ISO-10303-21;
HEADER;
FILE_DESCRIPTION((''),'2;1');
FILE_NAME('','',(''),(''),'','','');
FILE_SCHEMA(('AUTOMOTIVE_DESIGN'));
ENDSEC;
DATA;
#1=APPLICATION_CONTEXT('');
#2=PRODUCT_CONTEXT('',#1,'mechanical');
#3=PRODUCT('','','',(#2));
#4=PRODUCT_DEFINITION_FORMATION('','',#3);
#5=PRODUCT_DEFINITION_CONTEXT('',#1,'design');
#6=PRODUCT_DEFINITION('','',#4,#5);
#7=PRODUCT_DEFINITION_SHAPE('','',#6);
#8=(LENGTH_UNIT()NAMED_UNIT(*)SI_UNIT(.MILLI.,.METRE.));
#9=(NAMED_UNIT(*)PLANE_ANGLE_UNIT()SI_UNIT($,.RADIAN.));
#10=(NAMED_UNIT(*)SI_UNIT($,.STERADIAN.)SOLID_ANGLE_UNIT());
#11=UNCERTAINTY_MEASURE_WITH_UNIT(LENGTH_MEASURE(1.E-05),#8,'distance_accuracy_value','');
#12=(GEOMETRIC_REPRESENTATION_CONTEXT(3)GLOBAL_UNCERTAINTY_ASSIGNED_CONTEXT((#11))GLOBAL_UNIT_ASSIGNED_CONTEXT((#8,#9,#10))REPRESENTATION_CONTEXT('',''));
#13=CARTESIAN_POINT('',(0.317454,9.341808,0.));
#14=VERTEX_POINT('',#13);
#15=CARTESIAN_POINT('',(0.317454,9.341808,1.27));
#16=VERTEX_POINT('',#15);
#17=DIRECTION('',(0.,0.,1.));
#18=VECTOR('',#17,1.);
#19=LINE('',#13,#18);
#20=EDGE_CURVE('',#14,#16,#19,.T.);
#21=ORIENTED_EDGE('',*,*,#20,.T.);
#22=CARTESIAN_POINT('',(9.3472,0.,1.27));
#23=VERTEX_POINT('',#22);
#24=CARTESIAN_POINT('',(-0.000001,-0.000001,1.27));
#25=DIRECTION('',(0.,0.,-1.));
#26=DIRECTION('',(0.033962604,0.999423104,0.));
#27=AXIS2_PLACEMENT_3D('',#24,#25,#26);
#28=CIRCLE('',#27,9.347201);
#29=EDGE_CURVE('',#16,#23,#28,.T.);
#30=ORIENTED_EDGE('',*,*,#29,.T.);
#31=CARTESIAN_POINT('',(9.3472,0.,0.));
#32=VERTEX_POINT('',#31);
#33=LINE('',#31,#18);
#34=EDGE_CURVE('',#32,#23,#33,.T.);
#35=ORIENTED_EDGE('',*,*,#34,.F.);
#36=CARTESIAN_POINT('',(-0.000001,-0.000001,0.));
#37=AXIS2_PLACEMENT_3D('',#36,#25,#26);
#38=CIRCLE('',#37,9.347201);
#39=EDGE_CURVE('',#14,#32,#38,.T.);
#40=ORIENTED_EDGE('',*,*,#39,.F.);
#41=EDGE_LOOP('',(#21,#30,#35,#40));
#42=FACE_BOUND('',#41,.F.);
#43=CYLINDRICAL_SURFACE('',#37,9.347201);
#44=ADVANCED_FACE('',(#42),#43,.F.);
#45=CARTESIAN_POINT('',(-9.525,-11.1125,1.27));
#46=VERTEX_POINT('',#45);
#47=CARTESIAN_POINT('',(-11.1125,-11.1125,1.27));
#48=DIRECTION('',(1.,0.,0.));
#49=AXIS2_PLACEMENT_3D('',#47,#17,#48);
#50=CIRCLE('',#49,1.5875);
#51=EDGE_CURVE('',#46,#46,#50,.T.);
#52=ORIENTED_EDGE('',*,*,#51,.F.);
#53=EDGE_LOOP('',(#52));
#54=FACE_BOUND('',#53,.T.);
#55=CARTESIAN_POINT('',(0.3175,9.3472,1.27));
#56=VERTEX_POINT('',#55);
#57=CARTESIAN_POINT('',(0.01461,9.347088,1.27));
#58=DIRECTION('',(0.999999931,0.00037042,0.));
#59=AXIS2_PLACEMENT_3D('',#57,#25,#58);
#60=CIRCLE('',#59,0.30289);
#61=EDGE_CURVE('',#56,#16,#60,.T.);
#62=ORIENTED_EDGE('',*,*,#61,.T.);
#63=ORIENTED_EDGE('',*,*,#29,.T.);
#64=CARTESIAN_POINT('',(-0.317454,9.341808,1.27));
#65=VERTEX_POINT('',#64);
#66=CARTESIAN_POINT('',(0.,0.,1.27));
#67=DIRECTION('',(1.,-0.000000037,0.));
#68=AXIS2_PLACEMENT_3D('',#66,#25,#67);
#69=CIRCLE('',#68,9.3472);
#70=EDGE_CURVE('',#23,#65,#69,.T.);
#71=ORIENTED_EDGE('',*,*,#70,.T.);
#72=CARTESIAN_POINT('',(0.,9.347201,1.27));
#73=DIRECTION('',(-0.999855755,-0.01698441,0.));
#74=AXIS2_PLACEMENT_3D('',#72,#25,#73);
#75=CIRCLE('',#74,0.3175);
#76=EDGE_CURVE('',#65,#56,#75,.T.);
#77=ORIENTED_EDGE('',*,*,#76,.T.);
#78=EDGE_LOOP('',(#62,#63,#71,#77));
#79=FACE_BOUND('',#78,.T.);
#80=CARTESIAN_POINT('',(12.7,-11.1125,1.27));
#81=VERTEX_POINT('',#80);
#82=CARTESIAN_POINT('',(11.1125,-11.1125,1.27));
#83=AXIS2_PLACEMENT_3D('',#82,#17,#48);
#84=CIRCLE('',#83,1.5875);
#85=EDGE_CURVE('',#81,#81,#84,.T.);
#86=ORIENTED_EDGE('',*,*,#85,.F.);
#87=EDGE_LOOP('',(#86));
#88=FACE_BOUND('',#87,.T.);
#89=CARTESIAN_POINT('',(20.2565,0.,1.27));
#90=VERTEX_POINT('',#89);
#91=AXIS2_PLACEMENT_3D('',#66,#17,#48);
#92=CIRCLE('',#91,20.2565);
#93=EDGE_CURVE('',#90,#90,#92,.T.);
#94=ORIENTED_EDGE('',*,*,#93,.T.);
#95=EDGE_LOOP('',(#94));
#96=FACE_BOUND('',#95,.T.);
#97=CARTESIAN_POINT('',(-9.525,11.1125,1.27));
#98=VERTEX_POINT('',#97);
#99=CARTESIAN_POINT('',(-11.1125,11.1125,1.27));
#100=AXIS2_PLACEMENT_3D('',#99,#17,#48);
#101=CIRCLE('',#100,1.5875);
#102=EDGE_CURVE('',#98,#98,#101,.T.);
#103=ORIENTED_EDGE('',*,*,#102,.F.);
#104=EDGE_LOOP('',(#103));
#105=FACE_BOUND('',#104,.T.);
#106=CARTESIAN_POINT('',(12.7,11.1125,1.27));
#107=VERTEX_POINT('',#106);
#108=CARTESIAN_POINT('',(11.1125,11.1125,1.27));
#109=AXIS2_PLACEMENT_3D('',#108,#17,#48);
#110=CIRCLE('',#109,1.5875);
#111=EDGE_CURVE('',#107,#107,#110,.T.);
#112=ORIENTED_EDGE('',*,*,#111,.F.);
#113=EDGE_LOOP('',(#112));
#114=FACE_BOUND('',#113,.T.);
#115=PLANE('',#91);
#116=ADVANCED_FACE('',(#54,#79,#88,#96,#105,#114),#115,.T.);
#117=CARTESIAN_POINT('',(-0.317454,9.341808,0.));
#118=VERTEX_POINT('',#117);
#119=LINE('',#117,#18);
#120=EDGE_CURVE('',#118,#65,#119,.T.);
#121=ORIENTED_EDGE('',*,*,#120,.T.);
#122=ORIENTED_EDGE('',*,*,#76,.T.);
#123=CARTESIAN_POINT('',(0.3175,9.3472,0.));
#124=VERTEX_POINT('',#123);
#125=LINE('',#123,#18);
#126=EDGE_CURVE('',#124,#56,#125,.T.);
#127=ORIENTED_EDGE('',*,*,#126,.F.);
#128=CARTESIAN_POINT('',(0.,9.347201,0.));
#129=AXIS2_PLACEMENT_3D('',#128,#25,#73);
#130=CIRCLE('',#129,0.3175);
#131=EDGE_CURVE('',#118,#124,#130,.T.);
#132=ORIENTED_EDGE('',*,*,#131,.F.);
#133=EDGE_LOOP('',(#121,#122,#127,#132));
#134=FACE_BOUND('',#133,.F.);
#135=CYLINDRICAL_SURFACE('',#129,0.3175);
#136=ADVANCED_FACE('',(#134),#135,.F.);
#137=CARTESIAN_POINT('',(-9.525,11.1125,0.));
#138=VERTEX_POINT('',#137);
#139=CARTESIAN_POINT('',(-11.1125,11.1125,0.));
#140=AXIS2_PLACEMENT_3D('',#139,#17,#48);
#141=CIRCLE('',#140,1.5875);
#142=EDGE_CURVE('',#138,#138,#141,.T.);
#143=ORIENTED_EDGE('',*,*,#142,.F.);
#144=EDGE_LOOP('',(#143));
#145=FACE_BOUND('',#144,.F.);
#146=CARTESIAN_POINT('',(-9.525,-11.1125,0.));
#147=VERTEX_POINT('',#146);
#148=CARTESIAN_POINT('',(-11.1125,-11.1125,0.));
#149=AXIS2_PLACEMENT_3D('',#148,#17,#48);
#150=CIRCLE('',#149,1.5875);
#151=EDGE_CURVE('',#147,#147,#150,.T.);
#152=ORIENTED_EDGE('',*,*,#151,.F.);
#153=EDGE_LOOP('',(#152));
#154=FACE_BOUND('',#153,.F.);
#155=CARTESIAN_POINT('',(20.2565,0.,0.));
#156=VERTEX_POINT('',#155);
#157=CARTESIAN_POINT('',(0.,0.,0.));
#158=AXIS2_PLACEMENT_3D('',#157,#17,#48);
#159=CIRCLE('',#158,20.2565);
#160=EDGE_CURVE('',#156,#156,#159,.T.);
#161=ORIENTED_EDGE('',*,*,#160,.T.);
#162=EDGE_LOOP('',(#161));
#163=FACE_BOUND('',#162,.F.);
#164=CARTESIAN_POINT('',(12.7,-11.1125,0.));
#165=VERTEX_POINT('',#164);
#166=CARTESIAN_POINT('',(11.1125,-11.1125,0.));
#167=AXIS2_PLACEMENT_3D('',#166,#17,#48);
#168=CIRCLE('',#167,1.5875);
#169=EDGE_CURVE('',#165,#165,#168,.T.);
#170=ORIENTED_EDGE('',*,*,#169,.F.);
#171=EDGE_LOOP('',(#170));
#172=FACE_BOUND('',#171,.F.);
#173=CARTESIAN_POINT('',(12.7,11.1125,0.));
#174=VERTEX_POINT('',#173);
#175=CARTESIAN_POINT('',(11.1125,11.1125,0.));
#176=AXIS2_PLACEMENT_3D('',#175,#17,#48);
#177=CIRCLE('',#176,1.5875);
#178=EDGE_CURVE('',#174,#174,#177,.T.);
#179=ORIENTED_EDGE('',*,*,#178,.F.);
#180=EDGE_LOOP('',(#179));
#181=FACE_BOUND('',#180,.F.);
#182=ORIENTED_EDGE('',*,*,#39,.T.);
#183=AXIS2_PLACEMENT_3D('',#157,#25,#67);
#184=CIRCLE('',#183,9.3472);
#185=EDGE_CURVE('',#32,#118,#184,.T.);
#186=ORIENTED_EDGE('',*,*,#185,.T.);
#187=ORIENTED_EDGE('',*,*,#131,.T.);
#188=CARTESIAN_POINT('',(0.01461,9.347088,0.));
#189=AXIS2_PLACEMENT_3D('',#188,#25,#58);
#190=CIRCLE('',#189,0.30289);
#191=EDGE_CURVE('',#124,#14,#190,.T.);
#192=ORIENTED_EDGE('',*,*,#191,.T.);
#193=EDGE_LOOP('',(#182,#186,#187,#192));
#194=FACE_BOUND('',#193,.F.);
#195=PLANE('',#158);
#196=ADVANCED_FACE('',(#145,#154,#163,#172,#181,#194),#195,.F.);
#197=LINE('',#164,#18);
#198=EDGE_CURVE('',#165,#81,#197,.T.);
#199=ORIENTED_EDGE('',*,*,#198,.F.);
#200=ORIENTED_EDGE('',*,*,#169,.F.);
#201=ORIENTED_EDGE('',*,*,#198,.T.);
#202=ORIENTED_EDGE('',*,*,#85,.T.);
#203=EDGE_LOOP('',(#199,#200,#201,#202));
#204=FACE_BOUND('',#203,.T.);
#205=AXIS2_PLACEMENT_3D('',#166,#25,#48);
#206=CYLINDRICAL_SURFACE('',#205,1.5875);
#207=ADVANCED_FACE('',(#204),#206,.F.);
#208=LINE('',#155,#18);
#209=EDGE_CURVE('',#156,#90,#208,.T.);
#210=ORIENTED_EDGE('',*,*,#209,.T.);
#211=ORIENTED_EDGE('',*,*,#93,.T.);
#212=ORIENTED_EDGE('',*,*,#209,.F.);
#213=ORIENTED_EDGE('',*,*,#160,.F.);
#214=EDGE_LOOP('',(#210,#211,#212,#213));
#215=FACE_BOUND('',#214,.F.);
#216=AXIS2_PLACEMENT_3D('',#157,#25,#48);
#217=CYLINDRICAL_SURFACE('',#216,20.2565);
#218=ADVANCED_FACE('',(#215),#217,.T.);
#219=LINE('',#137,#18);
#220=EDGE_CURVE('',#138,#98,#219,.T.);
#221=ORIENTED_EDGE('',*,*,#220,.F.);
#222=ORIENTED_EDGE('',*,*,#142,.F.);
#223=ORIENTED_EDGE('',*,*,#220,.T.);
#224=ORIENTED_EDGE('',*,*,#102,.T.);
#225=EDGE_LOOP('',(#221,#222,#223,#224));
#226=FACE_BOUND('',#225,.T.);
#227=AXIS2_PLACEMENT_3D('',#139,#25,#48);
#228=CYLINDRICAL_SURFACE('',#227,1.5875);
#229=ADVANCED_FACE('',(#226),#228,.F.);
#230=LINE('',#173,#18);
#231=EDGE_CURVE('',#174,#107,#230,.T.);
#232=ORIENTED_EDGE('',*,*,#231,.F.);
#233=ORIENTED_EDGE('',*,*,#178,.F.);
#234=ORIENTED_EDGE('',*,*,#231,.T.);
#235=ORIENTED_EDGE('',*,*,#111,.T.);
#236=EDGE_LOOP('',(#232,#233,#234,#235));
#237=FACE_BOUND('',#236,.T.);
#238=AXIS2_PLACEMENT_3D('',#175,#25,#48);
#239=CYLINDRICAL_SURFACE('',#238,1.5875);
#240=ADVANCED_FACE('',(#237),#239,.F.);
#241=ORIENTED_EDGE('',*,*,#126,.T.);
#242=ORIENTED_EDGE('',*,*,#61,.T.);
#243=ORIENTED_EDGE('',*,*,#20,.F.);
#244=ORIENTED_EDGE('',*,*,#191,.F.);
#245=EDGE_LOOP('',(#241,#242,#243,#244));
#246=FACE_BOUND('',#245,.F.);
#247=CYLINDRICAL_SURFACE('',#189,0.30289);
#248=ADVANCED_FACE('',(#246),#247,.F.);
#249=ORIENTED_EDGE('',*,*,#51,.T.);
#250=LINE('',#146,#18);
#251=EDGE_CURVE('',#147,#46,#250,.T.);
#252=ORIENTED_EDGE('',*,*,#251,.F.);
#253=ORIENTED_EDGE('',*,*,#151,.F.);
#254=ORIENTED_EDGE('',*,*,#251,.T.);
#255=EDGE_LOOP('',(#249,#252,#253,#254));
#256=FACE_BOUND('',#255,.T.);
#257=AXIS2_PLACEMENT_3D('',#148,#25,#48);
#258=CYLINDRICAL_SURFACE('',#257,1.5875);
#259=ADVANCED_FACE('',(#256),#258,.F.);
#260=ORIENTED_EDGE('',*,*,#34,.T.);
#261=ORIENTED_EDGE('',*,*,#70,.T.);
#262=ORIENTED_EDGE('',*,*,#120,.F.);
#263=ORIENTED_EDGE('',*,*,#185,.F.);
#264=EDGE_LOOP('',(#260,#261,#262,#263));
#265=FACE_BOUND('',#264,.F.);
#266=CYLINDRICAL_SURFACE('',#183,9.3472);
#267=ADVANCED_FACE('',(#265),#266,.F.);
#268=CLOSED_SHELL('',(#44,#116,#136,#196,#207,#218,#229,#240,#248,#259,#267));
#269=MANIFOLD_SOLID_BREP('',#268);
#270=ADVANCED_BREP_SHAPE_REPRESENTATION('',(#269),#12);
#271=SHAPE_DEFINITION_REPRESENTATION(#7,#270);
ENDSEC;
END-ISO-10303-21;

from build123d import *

# Parameters (mm, degrees)
F0_R     = 20.2565
F0_R_2   = 1.5875
F1_DEPTH = 1.27


with BuildPart() as f1:
    # F0 (on Top) → F1 (new body)
    with BuildSketch(Plane.XY):
        Circle(F0_R)
        with Locations((-11.1125, -11.1125)):
            Circle(F0_R_2, mode=Mode.SUBTRACT)
        with Locations((11.1125, -11.1125)):
            Circle(F0_R_2, mode=Mode.SUBTRACT)
        with Locations((-11.1125, 11.1125)):
            Circle(F0_R_2, mode=Mode.SUBTRACT)
        with BuildLine():
            ThreePointArc((0.317454, 9.341808), (6.720768, 6.496262), (9.3472, 0))
            ThreePointArc((9.3472, 0), (-6.496262, -6.720768), (-0.317454, 9.341808))
            ThreePointArc((-0.317454, 9.341808), (-0.002696, 9.664689), (0.3175, 9.3472))
            ThreePointArc((0.3175, 9.3472), (0.317489, 9.344504), (0.317454, 9.341808))
        make_face(mode=Mode.SUBTRACT)
        with Locations((11.1125, 11.1125)):
            Circle(F0_R_2, mode=Mode.SUBTRACT)
    extrude(amount=F1_DEPTH)


solid = f1.part
